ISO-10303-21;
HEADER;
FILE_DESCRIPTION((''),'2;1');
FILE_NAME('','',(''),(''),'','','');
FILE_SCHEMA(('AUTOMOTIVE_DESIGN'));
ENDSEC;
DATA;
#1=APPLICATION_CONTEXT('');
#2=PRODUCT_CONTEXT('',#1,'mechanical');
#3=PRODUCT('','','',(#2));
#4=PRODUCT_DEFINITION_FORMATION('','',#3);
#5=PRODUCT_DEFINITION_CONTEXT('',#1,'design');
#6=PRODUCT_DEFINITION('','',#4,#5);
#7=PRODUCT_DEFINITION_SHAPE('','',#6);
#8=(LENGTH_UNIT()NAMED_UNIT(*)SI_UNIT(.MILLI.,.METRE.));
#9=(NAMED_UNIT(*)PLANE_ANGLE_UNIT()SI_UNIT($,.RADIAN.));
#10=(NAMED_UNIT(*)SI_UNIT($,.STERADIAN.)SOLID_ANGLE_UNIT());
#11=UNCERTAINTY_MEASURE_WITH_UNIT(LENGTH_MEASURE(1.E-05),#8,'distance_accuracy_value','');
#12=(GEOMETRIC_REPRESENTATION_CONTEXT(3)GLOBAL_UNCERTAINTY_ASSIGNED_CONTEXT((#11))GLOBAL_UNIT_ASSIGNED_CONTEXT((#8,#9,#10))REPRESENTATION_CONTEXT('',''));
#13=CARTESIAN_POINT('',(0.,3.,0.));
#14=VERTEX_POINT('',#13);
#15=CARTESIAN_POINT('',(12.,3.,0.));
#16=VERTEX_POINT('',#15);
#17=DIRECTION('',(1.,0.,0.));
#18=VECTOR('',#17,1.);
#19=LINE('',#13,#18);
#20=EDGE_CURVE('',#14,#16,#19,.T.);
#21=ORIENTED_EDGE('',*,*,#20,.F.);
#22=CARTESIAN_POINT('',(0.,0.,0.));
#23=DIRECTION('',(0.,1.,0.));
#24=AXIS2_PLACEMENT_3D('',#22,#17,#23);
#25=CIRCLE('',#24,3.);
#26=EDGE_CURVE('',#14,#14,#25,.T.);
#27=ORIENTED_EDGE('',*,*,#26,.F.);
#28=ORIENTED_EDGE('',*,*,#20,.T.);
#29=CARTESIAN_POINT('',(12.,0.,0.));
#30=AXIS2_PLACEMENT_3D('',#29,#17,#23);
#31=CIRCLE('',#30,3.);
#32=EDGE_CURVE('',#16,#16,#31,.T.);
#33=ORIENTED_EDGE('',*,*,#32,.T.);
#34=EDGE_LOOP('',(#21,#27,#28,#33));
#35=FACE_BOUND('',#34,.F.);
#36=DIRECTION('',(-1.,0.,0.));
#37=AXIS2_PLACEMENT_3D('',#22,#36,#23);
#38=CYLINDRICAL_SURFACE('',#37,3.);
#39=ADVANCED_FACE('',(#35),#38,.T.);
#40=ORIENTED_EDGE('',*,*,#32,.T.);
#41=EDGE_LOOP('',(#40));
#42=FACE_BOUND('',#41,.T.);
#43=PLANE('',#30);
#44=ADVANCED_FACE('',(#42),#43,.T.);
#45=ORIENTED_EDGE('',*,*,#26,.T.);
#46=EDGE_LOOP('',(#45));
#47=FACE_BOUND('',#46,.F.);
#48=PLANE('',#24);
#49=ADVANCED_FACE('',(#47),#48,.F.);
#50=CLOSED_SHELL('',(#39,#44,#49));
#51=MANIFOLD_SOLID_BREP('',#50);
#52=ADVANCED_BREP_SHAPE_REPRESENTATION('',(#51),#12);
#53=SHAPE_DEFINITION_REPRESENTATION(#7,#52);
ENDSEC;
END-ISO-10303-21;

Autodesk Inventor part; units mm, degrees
ref_plane "YZ Plane" through (0, 0, 0) normal (1, 0, 0) x (0, 1, 0)
ref_plane "XZ Plane" through (0, 0, 0) normal (0, 1, 0) x (-1, 0, 0)
ref_plane "XY Plane" through (0, 0, 0) normal (0, 0, 1) x (1, 0, 0)
sketch "Sketch1" plane through (0, 0, 0) normal (1, 0, 0) x (0, 1, 0)
  circle A0 centre (0, 0) radius 3
  dimension "d0" = 6
extrude "Extrusion1" add sketch "Sketch1" along normal blind 12
properties part number "Part4_PASADOR" material "Iron, Gray"
